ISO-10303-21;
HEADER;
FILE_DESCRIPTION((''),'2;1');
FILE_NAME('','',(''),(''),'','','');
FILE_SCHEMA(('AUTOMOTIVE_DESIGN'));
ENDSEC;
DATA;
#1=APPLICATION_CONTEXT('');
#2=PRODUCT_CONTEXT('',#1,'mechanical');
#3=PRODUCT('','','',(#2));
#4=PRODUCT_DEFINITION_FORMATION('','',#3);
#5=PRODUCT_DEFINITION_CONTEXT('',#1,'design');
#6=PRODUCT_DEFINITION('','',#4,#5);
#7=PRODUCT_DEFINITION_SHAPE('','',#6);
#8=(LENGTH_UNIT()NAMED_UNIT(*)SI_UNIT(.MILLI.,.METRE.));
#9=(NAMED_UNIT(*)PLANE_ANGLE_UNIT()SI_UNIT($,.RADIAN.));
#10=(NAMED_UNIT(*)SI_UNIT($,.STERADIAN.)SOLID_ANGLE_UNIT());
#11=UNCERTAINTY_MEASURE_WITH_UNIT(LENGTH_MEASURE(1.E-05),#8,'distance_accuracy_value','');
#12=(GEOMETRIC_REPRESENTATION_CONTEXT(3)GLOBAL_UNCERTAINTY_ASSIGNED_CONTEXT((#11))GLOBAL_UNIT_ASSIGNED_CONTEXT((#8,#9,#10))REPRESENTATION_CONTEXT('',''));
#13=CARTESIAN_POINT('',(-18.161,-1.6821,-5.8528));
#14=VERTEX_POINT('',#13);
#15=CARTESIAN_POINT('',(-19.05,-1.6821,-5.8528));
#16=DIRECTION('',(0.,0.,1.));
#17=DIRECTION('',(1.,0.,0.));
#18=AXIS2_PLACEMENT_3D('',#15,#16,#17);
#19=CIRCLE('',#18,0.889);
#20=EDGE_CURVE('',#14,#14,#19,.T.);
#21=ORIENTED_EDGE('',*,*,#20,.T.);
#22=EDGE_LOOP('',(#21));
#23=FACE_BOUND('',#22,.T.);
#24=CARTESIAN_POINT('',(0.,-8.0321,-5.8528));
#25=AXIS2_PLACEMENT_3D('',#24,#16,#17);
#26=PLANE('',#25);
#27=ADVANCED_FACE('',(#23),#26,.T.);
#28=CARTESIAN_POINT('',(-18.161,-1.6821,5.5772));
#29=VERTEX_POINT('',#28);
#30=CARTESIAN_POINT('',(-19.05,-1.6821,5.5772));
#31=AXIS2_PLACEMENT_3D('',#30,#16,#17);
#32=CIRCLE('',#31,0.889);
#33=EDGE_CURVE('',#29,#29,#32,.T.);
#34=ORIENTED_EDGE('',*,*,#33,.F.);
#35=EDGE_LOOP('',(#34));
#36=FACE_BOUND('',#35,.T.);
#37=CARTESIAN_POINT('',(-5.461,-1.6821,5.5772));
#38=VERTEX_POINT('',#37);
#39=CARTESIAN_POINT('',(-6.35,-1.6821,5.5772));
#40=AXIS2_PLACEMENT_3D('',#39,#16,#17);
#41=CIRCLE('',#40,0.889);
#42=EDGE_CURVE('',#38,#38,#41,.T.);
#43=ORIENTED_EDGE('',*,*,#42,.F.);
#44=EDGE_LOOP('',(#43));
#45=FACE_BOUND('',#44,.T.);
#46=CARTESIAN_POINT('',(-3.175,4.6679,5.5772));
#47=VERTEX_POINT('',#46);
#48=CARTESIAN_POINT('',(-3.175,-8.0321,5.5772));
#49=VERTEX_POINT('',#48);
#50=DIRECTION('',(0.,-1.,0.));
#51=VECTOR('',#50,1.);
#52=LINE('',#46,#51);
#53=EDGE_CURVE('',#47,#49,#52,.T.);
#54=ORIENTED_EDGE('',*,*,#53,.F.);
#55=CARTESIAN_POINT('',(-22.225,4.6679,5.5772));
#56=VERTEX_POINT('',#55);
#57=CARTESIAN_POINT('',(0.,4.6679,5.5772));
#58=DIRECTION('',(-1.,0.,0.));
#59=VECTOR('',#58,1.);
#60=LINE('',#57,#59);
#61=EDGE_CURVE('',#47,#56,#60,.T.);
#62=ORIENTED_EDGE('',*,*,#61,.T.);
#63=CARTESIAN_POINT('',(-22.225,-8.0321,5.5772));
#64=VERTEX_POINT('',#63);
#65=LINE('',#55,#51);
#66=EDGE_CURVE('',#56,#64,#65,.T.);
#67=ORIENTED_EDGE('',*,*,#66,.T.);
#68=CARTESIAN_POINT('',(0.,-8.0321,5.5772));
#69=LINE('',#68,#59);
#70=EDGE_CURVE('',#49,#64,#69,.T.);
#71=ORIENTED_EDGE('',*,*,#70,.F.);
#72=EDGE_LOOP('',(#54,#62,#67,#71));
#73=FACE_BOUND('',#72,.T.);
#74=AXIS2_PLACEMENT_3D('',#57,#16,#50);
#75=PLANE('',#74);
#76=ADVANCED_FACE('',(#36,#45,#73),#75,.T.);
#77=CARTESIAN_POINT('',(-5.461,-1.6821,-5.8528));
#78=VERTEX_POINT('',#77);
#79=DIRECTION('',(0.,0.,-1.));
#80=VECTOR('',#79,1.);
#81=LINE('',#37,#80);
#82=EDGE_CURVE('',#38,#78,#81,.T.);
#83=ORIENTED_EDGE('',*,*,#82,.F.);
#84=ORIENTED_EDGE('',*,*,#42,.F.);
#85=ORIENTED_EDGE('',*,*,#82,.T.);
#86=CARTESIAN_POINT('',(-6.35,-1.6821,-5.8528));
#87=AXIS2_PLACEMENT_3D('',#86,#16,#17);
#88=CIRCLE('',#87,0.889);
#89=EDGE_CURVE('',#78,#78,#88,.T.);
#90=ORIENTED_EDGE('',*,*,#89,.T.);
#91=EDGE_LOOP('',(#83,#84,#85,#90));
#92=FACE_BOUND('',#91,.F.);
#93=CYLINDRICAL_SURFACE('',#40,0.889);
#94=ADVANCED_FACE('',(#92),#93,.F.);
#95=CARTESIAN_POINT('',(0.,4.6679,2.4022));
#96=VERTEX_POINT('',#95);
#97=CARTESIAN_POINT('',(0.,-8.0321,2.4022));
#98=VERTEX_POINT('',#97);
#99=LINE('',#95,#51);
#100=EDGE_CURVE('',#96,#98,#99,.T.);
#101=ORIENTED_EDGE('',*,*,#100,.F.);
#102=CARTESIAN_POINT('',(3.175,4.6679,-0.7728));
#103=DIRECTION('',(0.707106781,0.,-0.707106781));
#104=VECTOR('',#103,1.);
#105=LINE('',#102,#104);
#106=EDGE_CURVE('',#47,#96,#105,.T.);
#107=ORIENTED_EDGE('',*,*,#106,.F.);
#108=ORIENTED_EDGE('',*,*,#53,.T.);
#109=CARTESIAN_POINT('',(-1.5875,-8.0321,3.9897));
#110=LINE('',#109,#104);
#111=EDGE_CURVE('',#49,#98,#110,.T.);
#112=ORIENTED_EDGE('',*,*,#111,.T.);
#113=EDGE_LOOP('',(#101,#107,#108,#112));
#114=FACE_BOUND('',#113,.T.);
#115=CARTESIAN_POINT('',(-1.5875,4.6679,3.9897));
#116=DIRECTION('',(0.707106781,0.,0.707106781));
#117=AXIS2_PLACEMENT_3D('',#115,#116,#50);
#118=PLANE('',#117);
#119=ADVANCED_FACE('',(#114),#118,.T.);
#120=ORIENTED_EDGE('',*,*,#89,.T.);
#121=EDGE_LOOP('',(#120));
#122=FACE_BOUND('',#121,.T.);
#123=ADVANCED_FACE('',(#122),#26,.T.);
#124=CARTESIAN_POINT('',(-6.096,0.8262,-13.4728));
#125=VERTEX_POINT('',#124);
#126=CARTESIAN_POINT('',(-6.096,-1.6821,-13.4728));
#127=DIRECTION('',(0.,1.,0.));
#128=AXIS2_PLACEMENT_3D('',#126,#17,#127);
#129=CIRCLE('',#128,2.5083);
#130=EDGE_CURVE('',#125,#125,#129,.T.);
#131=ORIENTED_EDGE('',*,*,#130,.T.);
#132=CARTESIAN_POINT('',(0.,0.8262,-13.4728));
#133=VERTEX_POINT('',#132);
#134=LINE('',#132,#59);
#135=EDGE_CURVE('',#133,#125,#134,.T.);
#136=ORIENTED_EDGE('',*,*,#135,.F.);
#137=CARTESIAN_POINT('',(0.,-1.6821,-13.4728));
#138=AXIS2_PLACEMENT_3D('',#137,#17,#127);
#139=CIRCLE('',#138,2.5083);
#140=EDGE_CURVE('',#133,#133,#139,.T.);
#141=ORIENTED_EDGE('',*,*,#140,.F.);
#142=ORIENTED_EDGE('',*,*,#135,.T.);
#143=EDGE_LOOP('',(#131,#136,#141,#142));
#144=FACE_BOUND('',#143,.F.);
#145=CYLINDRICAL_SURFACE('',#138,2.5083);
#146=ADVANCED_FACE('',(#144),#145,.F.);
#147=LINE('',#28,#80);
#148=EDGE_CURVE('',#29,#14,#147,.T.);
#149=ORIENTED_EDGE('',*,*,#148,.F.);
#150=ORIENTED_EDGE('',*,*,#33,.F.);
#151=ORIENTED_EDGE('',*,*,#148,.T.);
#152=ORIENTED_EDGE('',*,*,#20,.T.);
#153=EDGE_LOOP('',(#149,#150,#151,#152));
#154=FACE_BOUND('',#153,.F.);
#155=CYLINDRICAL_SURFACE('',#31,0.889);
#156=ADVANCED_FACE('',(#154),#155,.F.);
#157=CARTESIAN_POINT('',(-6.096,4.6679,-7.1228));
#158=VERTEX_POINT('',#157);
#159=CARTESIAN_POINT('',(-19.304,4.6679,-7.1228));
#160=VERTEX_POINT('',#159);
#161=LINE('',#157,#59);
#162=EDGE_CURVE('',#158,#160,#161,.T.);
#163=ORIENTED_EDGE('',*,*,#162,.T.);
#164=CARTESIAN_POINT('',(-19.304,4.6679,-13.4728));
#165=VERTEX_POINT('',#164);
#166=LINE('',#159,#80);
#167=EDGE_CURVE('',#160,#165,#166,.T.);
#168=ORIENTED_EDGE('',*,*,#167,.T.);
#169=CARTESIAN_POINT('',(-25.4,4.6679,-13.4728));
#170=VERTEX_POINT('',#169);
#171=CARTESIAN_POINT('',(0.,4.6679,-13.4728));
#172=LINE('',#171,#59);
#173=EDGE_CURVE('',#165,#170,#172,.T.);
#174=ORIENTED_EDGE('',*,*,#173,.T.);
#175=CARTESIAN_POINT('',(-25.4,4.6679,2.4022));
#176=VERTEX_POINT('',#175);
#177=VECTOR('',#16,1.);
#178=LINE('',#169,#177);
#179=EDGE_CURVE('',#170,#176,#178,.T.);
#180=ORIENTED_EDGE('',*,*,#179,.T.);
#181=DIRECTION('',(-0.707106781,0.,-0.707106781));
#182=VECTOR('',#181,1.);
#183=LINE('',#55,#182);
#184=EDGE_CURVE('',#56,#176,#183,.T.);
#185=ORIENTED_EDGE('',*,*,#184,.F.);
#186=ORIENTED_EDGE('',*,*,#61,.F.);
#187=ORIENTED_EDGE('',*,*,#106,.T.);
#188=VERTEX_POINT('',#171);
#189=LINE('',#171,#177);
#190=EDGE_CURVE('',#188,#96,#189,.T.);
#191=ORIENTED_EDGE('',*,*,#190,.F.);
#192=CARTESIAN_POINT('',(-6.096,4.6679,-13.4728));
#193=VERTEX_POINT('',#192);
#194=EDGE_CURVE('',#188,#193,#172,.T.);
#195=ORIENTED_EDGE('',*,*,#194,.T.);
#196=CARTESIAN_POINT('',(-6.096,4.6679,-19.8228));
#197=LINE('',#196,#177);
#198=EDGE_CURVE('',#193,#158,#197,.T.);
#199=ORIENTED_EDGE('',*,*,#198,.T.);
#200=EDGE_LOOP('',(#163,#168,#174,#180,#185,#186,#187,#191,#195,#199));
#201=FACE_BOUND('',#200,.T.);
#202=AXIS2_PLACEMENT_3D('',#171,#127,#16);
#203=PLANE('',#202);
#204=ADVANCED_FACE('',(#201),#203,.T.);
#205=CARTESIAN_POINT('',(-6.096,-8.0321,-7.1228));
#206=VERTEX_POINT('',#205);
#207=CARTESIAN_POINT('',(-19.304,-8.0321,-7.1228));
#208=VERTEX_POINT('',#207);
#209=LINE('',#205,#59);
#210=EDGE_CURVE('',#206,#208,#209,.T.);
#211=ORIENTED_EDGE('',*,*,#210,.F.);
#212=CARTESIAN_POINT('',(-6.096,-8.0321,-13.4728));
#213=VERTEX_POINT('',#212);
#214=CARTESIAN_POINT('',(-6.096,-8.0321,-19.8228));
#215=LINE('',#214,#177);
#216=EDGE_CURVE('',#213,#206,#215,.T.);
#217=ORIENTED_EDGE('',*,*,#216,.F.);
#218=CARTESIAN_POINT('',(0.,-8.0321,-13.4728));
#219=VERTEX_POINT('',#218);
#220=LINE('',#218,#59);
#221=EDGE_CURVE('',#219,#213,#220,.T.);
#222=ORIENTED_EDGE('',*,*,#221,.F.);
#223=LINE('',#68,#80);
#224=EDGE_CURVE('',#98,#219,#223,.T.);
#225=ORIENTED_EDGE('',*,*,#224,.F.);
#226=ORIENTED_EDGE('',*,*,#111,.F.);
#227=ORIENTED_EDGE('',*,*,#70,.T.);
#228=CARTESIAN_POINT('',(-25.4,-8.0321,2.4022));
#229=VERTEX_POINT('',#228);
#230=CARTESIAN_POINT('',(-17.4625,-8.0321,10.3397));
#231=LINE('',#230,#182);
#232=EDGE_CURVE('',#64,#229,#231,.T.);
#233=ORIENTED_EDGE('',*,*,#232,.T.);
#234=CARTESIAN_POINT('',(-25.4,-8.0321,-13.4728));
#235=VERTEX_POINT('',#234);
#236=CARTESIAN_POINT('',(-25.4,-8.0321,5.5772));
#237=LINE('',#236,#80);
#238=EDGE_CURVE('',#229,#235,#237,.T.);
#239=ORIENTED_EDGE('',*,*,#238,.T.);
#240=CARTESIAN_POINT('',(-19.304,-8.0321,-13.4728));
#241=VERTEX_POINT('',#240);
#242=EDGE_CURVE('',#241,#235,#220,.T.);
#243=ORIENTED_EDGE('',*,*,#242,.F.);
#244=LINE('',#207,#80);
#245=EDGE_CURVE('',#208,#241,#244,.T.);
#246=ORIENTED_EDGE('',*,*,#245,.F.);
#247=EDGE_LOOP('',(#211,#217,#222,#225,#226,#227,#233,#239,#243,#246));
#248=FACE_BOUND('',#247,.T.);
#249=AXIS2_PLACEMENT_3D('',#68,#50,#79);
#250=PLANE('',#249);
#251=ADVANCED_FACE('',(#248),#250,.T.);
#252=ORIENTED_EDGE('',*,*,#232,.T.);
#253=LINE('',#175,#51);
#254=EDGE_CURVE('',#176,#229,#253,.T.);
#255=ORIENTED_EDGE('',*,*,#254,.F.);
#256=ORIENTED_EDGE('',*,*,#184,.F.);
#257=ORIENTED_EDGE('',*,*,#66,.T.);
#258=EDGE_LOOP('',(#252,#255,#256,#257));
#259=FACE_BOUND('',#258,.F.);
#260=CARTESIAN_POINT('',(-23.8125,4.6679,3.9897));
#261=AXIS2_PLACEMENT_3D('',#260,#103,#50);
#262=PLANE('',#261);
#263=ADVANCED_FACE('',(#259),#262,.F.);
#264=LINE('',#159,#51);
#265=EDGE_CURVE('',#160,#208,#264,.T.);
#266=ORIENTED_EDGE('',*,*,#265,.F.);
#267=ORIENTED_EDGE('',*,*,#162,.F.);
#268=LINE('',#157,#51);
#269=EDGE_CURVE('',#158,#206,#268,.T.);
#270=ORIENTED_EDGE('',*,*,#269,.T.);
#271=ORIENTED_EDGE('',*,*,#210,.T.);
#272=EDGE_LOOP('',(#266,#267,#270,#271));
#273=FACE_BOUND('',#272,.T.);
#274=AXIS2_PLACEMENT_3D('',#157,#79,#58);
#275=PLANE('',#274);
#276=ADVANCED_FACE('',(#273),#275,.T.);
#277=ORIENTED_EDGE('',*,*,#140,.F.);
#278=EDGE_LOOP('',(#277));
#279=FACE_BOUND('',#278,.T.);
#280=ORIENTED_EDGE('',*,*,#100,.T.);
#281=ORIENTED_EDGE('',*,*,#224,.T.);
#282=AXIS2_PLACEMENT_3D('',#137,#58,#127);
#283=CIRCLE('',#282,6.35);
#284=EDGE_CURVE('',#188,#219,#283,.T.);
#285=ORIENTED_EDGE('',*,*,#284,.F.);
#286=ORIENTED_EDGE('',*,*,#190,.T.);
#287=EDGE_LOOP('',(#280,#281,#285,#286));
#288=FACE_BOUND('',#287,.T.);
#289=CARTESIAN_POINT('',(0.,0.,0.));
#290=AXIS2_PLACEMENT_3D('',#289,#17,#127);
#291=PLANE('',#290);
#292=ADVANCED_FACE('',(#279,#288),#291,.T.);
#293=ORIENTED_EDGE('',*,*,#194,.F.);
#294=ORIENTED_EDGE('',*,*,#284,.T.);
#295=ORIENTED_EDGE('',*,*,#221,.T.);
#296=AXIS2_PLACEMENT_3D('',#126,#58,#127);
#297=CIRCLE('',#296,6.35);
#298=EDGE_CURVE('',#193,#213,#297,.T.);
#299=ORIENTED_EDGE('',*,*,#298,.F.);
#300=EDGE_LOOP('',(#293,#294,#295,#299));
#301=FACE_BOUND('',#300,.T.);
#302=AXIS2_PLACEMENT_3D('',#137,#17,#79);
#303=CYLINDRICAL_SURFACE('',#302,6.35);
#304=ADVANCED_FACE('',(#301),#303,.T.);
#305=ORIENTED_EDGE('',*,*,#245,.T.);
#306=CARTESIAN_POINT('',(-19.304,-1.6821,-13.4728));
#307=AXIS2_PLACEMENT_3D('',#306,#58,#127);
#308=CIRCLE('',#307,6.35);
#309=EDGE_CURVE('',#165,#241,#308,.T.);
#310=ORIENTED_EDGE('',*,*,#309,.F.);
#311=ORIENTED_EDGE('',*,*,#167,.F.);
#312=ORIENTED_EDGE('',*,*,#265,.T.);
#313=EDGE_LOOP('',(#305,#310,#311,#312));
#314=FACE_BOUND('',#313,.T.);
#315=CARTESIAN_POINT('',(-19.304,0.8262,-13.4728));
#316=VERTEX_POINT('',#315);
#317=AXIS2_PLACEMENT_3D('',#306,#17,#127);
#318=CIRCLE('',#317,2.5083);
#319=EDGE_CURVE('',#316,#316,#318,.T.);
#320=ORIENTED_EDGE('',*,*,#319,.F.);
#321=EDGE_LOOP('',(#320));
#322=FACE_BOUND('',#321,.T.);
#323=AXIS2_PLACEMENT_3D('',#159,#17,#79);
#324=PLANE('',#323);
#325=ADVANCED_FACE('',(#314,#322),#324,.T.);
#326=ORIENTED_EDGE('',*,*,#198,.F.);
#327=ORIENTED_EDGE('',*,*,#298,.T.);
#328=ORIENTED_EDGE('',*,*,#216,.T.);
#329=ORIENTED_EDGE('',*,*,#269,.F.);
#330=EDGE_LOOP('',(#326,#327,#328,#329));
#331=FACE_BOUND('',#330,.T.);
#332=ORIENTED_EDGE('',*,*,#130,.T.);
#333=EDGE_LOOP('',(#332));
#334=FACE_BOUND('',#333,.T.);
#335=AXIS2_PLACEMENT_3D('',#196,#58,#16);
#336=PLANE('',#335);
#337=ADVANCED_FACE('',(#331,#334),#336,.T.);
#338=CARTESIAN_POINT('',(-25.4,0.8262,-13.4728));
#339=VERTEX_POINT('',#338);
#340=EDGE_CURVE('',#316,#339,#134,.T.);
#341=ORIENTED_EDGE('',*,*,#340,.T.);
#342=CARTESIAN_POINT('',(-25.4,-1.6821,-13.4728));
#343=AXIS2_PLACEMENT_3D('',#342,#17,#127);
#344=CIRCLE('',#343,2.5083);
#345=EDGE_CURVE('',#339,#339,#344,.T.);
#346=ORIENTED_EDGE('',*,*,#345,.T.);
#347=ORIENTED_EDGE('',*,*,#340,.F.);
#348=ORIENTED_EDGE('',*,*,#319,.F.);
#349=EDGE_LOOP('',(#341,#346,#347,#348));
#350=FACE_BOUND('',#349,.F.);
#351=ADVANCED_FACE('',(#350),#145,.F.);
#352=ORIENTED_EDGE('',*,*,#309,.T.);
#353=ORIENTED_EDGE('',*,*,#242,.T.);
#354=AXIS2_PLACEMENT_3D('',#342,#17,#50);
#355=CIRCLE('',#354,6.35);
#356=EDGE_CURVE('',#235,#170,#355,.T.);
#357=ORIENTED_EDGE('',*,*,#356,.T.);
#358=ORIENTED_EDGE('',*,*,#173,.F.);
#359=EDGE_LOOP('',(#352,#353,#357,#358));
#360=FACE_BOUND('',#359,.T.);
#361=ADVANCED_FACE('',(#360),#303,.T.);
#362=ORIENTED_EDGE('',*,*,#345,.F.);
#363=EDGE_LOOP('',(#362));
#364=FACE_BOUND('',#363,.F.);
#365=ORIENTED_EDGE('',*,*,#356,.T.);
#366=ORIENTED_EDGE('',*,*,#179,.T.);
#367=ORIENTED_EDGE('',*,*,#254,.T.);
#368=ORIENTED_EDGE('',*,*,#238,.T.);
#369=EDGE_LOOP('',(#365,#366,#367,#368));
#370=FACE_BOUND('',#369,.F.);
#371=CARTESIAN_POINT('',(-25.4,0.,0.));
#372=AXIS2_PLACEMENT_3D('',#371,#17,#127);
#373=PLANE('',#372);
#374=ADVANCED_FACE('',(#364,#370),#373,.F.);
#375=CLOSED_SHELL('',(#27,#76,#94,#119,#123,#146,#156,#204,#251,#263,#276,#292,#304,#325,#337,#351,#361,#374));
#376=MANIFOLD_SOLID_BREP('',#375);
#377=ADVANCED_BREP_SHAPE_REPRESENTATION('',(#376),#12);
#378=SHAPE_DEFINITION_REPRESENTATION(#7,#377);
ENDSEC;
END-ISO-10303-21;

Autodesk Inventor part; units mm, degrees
ref_plane "YZ Plane" through (0, 0, 0) normal (1, 0, 0) x (0, 1, 0)
ref_plane "XZ Plane" through (0, 0, 0) normal (0, 1, 0) x (-1, 0, 0)
ref_plane "XY Plane" through (0, 0, 0) normal (0, 0, 1) x (1, 0, 0)
sketch "Sketch1" plane through (0, 0, 0) normal (1, 0, 0) x (0, 1, 0)
  line L0 (4.6679, 5.5772) -> (-8.0321, 5.5772)
  line L1 (-8.0321, 5.5772) -> (-8.0321, -13.4728)
  line L2 (-1.6821, -19.8228) -> (-1.6821, -19.8228)
  line L3 (4.6679, -13.4728) -> (4.6679, 5.5772)
  circle A0 centre (-1.6821, -13.4728) radius 2.5083
  arc A1 (-1.6821, -19.8228) -> (4.6679, -13.4728) centre (-1.6821, -13.4728) ccw
  arc A2 (-8.0321, -13.4728) -> (-1.6821, -19.8228) centre (-1.6821, -13.4728) ccw
  point P0 (0, 0)
  point P1 (-8.0321, -19.8228)
  point P2 (4.6679, -19.8228)
  dimension "d0" = 12.7
  dimension "d1" = 25.4
  dimension "d2" = 5.0165
  dimension "d3" = 6.35
  dimension "d4" = 6.35
extrude "Extrusion1" add sketch "Sketch1" against normal blind 25.4
sketch "Sketch2" plane through (0, -8.0321, 5.5772) normal (0, 0, 1) x (1, 0, 0)
  line L0 (0, 0) -> (-25.4, 0) projected
  line L1 (0, 12.7) -> (0, 0) projected
  circle A0 centre (-6.35, 6.35) radius 0.889
  circle A1 centre (-19.05, 6.35) radius 0.889
  line L2 (-25.4, 0) -> (-25.4, 12.7) projected
  point P0 (0, 8.0321)
  point P1 (-12.7, 6.35)
  dimension "d7" = 6.35
  dimension "d8" = 12.7
  dimension "d9" = 1.778
  dimension "d10" = 6.35
  dimension "d11" = 1.778
  dimension "d12" = 6.35
extrude "Extrusion2" cut sketch "Sketch2" against normal blind 11.43
chamfer "Chamfer1" distance 3.175 angle 45 2 edges at (0, -1.6821, 5.5772) (-25.4, -1.6821, 5.5772)
sketch "Sketch3" plane through (-25.4, 4.6679, -13.4728) normal (0, 1, 0) x (1, 0, 0)
  line L0 (25.4, 6.35) -> (0, 6.35) projected
  line L1 (6.096, 6.35) -> (19.304, 6.35)
  line L2 (19.304, 6.35) -> (19.304, -6.35)
  line L3 (19.304, -6.35) -> (6.096, -6.35)
  line L4 (6.096, -6.35) -> (6.096, 6.35)
  line L5 (25.4, 0) -> (25.4, 6.35) projected
  line L6 (0, 6.35) -> (0, 0) projected
  point P0 (25.4, -13.4728)
  dimension "d18" = 12.7
  dimension "d19" = 6.096
  dimension "d20" = 6.096
extrude "Extrusion3" cut sketch "Sketch3" against normal blind 12.7
properties part number "band_hinge"
